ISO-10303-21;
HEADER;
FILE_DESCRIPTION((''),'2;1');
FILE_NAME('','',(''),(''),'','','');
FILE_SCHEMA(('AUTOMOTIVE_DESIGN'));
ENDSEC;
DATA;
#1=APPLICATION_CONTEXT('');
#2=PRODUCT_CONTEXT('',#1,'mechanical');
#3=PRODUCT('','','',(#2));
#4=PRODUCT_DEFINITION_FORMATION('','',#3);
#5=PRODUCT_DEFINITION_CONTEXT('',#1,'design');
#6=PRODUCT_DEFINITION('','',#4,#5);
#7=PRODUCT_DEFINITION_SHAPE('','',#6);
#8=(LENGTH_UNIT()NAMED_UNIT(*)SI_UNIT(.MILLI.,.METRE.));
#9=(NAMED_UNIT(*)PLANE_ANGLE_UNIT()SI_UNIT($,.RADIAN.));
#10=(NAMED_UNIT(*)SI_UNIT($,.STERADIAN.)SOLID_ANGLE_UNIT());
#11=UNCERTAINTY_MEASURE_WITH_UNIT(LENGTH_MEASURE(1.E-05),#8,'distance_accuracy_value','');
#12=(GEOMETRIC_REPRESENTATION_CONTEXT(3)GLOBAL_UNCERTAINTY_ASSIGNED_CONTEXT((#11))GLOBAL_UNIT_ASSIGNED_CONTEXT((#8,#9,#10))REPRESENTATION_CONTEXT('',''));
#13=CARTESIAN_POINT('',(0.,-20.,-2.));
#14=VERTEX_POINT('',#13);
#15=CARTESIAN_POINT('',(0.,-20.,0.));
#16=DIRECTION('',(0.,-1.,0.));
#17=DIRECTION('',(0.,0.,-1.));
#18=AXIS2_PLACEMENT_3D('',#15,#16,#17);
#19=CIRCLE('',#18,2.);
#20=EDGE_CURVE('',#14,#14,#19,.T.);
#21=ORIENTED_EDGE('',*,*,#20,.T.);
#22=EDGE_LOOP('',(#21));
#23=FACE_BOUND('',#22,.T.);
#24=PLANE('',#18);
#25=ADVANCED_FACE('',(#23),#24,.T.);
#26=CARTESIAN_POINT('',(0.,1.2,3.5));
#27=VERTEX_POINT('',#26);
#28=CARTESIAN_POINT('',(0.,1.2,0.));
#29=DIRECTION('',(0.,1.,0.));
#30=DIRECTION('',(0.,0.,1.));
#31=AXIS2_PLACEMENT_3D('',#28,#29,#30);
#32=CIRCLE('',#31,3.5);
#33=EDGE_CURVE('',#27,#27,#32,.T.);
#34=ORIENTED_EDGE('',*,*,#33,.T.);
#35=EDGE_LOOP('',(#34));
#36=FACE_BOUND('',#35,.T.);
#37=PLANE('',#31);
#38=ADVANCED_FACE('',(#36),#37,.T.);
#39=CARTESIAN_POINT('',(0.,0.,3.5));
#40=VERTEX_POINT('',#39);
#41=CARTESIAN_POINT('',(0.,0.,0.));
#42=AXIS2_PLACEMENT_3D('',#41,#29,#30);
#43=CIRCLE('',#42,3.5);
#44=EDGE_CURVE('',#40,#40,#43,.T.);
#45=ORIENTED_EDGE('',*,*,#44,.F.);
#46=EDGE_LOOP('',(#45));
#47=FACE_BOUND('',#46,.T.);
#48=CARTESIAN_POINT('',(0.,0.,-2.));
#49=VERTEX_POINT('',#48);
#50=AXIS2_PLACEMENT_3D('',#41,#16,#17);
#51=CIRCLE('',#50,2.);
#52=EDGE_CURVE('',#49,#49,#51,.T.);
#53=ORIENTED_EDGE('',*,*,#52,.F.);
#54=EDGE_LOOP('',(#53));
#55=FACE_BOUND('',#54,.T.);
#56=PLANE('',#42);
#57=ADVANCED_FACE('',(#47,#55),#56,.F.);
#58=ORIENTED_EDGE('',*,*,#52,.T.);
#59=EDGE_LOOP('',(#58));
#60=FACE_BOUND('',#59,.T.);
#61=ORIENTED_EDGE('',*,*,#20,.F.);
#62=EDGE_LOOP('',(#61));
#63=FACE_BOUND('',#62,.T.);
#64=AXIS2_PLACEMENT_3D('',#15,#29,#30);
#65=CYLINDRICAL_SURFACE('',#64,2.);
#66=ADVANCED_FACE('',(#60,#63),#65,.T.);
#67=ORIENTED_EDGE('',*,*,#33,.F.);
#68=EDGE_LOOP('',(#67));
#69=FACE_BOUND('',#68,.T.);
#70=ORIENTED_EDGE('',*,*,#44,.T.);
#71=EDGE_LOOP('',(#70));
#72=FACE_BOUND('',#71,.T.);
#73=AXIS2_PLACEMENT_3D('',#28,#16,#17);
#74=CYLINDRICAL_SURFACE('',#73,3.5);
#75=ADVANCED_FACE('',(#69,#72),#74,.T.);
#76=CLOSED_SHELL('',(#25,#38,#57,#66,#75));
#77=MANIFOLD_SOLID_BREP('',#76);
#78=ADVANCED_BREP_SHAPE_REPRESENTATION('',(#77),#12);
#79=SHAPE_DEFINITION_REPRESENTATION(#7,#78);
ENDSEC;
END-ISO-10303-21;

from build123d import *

# Parameters (mm, degrees)
SKETCH_1_R      = 3.5
EXTRUDE_1_DEPTH = 1.2
SKETCH_2_R      = 2
EXTRUDE_2_DEPTH = 20


with BuildPart() as part:
    # 草图1 → 凸台-拉伸1 (new body)
    with BuildSketch(Plane(origin=(0, 0, 0), x_dir=(1, 0, 0), z_dir=(0, 1, 0))):
        with Locations(Location((0, 0, 0), (0, 0, 270))):
            Circle(SKETCH_1_R)
    extrude(amount=EXTRUDE_1_DEPTH)

    # 草图2 → 凸台-拉伸2 (add)
    with BuildSketch(Plane.XZ):
        with Locations(Location((0, 0, 0), (0, 0, 270))):
            Circle(SKETCH_2_R)
    extrude(amount=EXTRUDE_2_DEPTH)


solid = part.part
